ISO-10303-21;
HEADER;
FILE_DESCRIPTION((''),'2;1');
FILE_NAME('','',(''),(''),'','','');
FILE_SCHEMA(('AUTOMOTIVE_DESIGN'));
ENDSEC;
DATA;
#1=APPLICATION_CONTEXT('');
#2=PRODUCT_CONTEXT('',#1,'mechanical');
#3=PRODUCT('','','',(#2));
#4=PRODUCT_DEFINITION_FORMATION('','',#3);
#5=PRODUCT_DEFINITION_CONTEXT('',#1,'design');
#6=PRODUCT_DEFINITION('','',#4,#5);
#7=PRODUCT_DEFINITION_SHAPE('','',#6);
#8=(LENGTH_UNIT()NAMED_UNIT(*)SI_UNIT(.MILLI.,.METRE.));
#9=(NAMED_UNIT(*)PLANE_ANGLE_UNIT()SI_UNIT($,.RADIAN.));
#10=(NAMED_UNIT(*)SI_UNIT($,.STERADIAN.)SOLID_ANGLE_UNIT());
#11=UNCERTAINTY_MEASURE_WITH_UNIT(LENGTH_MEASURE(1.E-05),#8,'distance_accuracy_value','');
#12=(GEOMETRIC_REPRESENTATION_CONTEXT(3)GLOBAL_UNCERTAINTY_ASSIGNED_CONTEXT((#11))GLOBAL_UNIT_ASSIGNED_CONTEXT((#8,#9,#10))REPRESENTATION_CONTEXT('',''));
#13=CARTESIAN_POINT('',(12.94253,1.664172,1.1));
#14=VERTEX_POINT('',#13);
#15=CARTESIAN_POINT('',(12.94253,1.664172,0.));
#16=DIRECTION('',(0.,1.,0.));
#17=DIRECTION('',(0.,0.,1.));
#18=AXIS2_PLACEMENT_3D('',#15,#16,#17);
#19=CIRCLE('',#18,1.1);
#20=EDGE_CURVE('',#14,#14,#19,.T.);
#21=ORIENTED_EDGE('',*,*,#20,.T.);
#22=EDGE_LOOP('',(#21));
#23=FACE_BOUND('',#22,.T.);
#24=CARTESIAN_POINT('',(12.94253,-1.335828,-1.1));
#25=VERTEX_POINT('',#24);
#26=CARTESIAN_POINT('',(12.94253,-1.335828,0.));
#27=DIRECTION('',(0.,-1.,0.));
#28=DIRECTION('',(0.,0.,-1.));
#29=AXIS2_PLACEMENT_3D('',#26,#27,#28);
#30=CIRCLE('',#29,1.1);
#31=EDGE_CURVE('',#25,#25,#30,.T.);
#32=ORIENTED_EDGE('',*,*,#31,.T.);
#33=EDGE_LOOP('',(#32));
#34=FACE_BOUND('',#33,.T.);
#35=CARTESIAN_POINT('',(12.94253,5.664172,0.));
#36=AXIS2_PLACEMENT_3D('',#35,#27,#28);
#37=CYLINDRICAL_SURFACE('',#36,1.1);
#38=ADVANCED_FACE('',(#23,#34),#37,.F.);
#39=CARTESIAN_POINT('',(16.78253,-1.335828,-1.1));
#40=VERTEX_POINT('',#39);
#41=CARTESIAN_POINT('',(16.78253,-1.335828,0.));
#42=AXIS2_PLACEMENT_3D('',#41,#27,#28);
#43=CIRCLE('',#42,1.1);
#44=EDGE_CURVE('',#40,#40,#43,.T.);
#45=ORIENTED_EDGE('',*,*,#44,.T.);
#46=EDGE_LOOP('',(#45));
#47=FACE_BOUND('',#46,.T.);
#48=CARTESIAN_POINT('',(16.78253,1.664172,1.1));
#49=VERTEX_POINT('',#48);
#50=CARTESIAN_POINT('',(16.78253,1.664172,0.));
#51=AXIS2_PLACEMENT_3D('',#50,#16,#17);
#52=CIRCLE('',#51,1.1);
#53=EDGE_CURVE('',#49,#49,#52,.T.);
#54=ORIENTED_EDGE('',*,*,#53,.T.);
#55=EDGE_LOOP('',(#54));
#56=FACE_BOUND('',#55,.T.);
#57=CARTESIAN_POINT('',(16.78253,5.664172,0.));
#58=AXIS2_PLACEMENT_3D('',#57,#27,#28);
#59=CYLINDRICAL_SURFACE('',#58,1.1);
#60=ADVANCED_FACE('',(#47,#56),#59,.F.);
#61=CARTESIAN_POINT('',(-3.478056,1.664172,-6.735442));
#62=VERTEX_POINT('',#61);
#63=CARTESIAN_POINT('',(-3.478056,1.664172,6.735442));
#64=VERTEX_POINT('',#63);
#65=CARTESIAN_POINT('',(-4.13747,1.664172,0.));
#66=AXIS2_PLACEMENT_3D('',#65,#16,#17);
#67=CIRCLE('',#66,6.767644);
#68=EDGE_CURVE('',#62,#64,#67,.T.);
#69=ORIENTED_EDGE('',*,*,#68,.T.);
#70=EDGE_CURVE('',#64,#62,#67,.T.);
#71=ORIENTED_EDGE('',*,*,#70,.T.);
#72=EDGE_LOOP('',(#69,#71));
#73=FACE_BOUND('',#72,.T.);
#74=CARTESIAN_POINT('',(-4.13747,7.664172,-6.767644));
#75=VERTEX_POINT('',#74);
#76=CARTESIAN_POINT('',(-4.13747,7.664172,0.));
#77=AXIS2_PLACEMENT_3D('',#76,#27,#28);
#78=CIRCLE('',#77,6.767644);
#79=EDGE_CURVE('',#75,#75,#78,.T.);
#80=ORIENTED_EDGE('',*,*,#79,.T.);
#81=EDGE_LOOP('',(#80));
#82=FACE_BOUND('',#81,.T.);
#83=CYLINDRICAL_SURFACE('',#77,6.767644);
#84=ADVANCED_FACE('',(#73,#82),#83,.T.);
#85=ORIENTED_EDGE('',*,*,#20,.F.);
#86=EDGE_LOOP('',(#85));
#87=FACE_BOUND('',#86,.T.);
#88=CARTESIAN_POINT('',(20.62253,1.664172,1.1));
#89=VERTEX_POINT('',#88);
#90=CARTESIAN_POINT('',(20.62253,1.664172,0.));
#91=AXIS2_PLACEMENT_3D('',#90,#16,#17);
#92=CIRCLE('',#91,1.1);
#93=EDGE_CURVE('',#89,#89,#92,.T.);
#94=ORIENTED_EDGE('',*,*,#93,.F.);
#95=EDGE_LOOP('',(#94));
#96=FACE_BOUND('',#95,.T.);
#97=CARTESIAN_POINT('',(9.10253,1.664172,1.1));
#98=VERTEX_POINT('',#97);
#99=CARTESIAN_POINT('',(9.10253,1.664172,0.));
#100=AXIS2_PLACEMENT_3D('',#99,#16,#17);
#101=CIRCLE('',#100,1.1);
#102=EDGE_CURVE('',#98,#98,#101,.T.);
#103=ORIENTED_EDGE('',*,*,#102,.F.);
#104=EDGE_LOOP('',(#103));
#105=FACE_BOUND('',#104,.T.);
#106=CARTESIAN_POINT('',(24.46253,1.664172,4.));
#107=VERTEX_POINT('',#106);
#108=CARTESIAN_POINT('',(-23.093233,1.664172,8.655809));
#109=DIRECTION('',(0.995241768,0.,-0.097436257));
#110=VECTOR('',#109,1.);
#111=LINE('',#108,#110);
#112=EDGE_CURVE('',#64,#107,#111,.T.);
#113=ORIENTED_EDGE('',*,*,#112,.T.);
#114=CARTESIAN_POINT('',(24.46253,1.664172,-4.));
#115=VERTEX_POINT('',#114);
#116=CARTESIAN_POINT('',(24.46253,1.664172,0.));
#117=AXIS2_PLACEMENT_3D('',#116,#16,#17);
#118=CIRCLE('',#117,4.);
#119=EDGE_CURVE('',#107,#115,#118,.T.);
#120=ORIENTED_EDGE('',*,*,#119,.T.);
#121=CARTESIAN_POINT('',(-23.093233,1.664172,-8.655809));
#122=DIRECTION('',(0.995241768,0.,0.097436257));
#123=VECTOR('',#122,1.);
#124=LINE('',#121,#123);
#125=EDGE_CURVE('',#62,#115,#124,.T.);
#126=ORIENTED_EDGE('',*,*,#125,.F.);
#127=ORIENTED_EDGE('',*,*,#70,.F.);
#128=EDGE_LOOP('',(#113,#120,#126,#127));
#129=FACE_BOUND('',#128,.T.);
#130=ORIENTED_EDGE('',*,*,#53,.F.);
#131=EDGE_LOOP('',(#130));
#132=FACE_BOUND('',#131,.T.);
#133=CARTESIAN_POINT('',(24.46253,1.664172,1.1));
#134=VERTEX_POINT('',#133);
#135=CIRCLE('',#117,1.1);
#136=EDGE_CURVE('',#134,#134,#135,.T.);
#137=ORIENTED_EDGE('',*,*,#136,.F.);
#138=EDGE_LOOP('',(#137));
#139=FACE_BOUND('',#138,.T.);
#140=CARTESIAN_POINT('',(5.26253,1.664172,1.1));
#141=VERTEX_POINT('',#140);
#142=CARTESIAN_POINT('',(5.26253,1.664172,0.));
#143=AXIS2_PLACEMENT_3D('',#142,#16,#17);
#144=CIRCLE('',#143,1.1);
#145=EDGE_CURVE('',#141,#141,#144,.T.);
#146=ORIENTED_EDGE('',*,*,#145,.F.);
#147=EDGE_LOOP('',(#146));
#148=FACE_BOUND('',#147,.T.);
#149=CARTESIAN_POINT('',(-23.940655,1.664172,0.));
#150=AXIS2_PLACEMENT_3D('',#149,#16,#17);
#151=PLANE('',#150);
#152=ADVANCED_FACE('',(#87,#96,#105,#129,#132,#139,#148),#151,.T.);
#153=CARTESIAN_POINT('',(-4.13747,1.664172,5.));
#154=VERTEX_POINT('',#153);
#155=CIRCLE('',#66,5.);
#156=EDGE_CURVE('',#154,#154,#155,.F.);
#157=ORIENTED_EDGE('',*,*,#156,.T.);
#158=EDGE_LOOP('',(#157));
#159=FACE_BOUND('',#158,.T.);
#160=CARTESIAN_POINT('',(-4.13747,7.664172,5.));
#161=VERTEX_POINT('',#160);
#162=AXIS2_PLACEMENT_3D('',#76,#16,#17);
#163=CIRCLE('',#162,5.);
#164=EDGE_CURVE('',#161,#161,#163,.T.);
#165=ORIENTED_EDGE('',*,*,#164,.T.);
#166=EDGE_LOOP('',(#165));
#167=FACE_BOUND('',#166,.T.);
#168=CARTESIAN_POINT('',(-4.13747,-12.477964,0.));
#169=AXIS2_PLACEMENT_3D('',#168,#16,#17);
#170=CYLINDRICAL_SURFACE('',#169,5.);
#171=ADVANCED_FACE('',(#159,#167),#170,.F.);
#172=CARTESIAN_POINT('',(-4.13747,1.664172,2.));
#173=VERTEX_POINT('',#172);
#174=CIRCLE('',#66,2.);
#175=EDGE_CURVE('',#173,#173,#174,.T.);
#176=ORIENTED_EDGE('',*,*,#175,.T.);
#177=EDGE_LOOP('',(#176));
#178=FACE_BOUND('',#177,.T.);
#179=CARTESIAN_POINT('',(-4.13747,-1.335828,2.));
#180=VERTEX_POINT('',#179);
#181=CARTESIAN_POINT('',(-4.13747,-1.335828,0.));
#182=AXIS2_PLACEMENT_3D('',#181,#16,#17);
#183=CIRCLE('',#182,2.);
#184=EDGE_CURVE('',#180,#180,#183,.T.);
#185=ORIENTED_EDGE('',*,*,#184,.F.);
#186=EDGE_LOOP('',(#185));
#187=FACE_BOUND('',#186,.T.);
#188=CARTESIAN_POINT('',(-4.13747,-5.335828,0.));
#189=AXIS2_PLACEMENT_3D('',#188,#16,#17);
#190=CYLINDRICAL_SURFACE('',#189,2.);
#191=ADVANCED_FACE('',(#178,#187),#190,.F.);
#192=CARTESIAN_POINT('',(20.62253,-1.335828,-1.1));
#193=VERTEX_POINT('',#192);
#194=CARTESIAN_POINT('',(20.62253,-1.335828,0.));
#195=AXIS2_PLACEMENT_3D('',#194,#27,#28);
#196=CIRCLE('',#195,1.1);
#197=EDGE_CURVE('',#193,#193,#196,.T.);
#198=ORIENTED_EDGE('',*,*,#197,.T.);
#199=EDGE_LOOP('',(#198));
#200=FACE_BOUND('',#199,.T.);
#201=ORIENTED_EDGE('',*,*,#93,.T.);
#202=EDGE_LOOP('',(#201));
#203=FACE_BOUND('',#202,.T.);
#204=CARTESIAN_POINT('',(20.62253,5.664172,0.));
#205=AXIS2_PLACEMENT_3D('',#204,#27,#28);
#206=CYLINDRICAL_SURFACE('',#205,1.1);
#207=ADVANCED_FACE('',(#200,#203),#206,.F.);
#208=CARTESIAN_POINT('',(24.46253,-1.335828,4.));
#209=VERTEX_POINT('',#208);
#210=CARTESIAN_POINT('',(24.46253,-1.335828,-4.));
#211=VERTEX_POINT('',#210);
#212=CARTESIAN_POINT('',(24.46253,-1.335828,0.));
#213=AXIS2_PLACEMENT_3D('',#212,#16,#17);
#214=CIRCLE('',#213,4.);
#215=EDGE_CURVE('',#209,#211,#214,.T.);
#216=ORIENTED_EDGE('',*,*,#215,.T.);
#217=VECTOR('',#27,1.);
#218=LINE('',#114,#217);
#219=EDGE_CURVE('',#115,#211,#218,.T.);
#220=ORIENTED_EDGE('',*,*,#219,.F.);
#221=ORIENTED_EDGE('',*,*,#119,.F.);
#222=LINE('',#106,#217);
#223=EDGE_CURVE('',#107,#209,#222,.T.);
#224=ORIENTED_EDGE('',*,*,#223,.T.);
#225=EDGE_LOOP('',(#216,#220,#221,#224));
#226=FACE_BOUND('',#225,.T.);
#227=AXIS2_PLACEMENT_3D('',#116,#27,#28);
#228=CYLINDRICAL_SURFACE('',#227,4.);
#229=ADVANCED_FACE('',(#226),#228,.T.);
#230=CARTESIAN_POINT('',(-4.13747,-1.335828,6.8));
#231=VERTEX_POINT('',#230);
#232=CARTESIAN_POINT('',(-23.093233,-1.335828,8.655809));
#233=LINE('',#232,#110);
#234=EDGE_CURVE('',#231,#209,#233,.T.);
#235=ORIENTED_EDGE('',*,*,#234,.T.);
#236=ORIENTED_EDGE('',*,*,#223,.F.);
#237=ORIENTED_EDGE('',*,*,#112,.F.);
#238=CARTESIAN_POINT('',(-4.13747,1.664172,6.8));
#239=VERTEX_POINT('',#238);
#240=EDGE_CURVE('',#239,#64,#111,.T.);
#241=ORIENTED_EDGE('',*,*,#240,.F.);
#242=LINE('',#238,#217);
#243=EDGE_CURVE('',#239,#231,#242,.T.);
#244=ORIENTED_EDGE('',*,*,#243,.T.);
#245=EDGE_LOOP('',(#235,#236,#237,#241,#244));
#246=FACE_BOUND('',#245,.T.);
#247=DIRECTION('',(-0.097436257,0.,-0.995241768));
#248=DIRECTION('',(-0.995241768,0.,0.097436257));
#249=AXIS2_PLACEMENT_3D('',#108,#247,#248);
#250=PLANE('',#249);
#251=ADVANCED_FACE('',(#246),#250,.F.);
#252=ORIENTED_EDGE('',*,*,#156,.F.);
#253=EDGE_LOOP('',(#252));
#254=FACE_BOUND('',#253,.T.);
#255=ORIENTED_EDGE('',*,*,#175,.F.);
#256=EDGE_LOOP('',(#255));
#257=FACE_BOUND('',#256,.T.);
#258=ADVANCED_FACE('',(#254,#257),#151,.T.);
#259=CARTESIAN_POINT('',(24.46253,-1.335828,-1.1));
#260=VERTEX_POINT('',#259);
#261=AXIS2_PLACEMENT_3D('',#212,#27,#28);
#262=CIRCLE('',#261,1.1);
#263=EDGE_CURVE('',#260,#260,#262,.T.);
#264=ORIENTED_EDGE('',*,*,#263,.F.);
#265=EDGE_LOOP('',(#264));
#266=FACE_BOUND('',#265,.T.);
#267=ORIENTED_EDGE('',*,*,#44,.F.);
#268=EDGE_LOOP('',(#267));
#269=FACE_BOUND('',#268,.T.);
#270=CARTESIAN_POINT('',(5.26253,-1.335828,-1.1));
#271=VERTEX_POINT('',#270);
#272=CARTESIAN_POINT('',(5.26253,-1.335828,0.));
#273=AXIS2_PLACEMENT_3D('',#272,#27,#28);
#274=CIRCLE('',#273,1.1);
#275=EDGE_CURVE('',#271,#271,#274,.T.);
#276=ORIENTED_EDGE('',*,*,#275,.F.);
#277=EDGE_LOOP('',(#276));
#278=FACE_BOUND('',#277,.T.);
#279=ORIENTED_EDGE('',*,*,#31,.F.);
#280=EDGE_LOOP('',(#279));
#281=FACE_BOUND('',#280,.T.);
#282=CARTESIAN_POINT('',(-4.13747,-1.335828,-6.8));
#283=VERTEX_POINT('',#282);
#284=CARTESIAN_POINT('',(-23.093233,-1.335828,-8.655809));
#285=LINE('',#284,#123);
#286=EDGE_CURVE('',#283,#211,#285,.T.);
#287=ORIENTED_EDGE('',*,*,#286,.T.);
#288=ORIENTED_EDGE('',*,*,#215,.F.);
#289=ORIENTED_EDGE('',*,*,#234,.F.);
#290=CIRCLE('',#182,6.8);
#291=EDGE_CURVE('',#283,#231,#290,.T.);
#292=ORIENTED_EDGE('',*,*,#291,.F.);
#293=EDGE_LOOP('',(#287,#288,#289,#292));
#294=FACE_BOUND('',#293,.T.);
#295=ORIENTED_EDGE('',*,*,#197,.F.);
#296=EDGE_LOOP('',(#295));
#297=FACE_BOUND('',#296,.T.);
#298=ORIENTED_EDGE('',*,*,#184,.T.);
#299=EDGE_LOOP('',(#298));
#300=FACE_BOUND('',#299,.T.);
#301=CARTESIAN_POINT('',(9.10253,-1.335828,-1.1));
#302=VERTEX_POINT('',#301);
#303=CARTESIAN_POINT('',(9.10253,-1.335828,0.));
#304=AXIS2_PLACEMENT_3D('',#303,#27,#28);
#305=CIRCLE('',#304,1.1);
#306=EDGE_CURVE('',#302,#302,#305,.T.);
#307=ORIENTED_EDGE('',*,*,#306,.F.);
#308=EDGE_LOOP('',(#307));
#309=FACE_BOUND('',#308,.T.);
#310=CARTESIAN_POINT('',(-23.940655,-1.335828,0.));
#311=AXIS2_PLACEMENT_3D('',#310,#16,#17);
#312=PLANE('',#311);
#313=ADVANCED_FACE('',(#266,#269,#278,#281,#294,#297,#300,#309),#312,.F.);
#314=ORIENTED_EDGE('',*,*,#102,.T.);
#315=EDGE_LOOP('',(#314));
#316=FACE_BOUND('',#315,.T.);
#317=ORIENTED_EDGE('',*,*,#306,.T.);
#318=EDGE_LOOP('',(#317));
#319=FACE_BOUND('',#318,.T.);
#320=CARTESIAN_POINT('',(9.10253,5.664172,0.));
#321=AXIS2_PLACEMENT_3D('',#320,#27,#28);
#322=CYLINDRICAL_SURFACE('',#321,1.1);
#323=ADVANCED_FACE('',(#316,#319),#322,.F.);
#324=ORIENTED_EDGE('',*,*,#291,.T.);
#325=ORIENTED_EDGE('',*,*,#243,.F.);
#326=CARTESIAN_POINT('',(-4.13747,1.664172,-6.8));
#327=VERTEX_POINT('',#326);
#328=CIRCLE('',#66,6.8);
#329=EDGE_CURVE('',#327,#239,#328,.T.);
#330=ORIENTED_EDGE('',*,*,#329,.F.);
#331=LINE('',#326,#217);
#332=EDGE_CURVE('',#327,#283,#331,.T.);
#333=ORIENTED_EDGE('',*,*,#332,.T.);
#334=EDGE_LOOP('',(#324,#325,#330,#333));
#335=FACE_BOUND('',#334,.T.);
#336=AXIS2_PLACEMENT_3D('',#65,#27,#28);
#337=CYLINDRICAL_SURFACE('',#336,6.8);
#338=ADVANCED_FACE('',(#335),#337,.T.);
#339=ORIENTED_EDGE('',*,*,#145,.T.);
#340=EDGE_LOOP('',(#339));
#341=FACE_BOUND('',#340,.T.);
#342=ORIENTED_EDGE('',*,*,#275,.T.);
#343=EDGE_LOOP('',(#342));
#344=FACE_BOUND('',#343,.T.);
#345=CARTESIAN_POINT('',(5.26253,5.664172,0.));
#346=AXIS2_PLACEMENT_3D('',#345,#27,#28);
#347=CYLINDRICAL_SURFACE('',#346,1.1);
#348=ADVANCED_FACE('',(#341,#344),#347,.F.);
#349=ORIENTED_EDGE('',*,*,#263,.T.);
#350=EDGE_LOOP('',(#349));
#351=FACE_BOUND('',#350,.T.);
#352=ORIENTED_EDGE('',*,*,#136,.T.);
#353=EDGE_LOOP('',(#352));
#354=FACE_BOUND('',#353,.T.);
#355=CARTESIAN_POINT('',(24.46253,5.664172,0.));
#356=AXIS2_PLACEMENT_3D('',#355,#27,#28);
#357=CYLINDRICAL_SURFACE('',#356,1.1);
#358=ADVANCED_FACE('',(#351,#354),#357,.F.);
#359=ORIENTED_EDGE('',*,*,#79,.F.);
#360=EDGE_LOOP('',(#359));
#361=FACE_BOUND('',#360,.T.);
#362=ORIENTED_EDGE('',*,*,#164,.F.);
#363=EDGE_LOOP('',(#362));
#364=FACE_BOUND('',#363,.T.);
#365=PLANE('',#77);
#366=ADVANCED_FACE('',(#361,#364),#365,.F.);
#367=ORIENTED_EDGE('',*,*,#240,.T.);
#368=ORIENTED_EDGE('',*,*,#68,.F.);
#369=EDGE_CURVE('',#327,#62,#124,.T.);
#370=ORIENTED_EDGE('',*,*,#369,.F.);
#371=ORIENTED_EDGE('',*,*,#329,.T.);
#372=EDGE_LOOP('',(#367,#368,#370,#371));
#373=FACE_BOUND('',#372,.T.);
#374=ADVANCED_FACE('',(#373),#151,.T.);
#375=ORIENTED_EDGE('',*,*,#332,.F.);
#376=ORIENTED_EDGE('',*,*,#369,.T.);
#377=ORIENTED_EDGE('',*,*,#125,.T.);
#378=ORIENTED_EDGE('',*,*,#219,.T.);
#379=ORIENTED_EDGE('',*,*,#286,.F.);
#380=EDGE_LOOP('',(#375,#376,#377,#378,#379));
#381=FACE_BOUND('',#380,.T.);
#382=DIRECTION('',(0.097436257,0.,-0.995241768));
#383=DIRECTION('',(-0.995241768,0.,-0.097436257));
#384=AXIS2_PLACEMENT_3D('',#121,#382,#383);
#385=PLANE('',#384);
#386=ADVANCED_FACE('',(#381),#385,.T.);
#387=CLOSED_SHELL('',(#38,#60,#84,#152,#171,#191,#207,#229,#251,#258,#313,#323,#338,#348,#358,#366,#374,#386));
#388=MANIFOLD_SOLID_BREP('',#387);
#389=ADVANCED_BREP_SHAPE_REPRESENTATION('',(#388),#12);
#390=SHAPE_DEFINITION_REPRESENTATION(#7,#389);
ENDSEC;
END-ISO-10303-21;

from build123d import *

# Parameters (mm, degrees)
BOSS_EXTRUDE1_DEPTH = 1.5
SKETCH2_R           = 3.38382201
BOSS_EXTRUDE2_DEPTH = 4.5
SKETCH3_R           = 2.5
CUT_EXTRUDE1_DEPTH  = 3
SKETCH4_R           = 1
CUT_EXTRUDE2_DEPTH  = 3.5
SKETCH5_R           = 0.55
CUT_EXTRUDE3_DEPTH  = 3.5
SCALE1_SCALE        = 2


with BuildPart() as part:
    # Sketch1 → Boss-Extrude1 (new body)
    with BuildSketch(Plane(origin=(0, 0, 0), x_dir=(1, 0, 0), z_dir=(0, 1, 0))):
        with BuildLine():
            Line((0.659413902, 3.335441996), (0, 3.4))
            ThreePointArc((0, 3.4), (-3.4, 0), (0, -3.4))
            Line((0, -3.4), (0.659413902, -3.335441996))
            Line((0.659413902, -3.335441996), (14.3, -2))
            ThreePointArc((14.3, -2), (16.3, 0), (14.3, 2))
            Line((14.3, 2), (0.659413902, 3.335441996))
        make_face()
    extrude(amount=BOSS_EXTRUDE1_DEPTH)

    # Sketch2 → Boss-Extrude2 (add)
    with BuildSketch(Plane.XZ):
        with Locations(Location((0, 0, 0), (0, 0, 270))):
            Circle(SKETCH2_R)
    extrude(amount=-BOSS_EXTRUDE2_DEPTH)

    # Sketch3 → Cut-Extrude1 (cut)
    with BuildSketch(Plane(origin=(0, 4.5, 0), x_dir=(1, 0, 0), z_dir=(0, 1, 0))):
        with Locations(Location((0, 0, 0), (0, 0, 270))):
            Circle(SKETCH3_R)
    extrude(amount=-CUT_EXTRUDE1_DEPTH, mode=Mode.SUBTRACT)

    # Sketch4 → Cut-Extrude2 (cut)
    with BuildSketch(Plane(origin=(0, 1.5, 0), x_dir=(1, 0, 0), z_dir=(0, 1, 0))):
        with Locations(Location((0, 0, 0), (0, 0, 270))):
            Circle(SKETCH4_R)
    extrude(amount=-CUT_EXTRUDE2_DEPTH, mode=Mode.SUBTRACT)

    # Sketch5 → Cut-Extrude3 (cut)
    with BuildSketch(Plane.XZ):
        with Locations(Location((14.3, 0, 0), (0, 0, 270))):
            Circle(SKETCH5_R)
        with Locations(Location((12.38, 0, 0), (0, 0, 270))):
            Circle(SKETCH5_R)
        with Locations(Location((10.46, 0, 0), (0, 0, 270))):
            Circle(SKETCH5_R)
        with Locations(Location((8.54, 0, 0), (0, 0, 270))):
            Circle(SKETCH5_R)
        with Locations(Location((6.62, 0, 0), (0, 0, 270))):
            Circle(SKETCH5_R)
        with Locations(Location((4.7, 0, 0), (0, 0, 270))):
            Circle(SKETCH5_R)
    extrude(amount=-CUT_EXTRUDE3_DEPTH, mode=Mode.SUBTRACT)


with BuildPart() as part_1:
    # Scale1: scaled about (4.137469707, 1.335828051, 0)
    add(part.part.scale(SCALE1_SCALE).moved(Location((-4.137469707, -1.335828051, 0))))


solid = part_1.part
